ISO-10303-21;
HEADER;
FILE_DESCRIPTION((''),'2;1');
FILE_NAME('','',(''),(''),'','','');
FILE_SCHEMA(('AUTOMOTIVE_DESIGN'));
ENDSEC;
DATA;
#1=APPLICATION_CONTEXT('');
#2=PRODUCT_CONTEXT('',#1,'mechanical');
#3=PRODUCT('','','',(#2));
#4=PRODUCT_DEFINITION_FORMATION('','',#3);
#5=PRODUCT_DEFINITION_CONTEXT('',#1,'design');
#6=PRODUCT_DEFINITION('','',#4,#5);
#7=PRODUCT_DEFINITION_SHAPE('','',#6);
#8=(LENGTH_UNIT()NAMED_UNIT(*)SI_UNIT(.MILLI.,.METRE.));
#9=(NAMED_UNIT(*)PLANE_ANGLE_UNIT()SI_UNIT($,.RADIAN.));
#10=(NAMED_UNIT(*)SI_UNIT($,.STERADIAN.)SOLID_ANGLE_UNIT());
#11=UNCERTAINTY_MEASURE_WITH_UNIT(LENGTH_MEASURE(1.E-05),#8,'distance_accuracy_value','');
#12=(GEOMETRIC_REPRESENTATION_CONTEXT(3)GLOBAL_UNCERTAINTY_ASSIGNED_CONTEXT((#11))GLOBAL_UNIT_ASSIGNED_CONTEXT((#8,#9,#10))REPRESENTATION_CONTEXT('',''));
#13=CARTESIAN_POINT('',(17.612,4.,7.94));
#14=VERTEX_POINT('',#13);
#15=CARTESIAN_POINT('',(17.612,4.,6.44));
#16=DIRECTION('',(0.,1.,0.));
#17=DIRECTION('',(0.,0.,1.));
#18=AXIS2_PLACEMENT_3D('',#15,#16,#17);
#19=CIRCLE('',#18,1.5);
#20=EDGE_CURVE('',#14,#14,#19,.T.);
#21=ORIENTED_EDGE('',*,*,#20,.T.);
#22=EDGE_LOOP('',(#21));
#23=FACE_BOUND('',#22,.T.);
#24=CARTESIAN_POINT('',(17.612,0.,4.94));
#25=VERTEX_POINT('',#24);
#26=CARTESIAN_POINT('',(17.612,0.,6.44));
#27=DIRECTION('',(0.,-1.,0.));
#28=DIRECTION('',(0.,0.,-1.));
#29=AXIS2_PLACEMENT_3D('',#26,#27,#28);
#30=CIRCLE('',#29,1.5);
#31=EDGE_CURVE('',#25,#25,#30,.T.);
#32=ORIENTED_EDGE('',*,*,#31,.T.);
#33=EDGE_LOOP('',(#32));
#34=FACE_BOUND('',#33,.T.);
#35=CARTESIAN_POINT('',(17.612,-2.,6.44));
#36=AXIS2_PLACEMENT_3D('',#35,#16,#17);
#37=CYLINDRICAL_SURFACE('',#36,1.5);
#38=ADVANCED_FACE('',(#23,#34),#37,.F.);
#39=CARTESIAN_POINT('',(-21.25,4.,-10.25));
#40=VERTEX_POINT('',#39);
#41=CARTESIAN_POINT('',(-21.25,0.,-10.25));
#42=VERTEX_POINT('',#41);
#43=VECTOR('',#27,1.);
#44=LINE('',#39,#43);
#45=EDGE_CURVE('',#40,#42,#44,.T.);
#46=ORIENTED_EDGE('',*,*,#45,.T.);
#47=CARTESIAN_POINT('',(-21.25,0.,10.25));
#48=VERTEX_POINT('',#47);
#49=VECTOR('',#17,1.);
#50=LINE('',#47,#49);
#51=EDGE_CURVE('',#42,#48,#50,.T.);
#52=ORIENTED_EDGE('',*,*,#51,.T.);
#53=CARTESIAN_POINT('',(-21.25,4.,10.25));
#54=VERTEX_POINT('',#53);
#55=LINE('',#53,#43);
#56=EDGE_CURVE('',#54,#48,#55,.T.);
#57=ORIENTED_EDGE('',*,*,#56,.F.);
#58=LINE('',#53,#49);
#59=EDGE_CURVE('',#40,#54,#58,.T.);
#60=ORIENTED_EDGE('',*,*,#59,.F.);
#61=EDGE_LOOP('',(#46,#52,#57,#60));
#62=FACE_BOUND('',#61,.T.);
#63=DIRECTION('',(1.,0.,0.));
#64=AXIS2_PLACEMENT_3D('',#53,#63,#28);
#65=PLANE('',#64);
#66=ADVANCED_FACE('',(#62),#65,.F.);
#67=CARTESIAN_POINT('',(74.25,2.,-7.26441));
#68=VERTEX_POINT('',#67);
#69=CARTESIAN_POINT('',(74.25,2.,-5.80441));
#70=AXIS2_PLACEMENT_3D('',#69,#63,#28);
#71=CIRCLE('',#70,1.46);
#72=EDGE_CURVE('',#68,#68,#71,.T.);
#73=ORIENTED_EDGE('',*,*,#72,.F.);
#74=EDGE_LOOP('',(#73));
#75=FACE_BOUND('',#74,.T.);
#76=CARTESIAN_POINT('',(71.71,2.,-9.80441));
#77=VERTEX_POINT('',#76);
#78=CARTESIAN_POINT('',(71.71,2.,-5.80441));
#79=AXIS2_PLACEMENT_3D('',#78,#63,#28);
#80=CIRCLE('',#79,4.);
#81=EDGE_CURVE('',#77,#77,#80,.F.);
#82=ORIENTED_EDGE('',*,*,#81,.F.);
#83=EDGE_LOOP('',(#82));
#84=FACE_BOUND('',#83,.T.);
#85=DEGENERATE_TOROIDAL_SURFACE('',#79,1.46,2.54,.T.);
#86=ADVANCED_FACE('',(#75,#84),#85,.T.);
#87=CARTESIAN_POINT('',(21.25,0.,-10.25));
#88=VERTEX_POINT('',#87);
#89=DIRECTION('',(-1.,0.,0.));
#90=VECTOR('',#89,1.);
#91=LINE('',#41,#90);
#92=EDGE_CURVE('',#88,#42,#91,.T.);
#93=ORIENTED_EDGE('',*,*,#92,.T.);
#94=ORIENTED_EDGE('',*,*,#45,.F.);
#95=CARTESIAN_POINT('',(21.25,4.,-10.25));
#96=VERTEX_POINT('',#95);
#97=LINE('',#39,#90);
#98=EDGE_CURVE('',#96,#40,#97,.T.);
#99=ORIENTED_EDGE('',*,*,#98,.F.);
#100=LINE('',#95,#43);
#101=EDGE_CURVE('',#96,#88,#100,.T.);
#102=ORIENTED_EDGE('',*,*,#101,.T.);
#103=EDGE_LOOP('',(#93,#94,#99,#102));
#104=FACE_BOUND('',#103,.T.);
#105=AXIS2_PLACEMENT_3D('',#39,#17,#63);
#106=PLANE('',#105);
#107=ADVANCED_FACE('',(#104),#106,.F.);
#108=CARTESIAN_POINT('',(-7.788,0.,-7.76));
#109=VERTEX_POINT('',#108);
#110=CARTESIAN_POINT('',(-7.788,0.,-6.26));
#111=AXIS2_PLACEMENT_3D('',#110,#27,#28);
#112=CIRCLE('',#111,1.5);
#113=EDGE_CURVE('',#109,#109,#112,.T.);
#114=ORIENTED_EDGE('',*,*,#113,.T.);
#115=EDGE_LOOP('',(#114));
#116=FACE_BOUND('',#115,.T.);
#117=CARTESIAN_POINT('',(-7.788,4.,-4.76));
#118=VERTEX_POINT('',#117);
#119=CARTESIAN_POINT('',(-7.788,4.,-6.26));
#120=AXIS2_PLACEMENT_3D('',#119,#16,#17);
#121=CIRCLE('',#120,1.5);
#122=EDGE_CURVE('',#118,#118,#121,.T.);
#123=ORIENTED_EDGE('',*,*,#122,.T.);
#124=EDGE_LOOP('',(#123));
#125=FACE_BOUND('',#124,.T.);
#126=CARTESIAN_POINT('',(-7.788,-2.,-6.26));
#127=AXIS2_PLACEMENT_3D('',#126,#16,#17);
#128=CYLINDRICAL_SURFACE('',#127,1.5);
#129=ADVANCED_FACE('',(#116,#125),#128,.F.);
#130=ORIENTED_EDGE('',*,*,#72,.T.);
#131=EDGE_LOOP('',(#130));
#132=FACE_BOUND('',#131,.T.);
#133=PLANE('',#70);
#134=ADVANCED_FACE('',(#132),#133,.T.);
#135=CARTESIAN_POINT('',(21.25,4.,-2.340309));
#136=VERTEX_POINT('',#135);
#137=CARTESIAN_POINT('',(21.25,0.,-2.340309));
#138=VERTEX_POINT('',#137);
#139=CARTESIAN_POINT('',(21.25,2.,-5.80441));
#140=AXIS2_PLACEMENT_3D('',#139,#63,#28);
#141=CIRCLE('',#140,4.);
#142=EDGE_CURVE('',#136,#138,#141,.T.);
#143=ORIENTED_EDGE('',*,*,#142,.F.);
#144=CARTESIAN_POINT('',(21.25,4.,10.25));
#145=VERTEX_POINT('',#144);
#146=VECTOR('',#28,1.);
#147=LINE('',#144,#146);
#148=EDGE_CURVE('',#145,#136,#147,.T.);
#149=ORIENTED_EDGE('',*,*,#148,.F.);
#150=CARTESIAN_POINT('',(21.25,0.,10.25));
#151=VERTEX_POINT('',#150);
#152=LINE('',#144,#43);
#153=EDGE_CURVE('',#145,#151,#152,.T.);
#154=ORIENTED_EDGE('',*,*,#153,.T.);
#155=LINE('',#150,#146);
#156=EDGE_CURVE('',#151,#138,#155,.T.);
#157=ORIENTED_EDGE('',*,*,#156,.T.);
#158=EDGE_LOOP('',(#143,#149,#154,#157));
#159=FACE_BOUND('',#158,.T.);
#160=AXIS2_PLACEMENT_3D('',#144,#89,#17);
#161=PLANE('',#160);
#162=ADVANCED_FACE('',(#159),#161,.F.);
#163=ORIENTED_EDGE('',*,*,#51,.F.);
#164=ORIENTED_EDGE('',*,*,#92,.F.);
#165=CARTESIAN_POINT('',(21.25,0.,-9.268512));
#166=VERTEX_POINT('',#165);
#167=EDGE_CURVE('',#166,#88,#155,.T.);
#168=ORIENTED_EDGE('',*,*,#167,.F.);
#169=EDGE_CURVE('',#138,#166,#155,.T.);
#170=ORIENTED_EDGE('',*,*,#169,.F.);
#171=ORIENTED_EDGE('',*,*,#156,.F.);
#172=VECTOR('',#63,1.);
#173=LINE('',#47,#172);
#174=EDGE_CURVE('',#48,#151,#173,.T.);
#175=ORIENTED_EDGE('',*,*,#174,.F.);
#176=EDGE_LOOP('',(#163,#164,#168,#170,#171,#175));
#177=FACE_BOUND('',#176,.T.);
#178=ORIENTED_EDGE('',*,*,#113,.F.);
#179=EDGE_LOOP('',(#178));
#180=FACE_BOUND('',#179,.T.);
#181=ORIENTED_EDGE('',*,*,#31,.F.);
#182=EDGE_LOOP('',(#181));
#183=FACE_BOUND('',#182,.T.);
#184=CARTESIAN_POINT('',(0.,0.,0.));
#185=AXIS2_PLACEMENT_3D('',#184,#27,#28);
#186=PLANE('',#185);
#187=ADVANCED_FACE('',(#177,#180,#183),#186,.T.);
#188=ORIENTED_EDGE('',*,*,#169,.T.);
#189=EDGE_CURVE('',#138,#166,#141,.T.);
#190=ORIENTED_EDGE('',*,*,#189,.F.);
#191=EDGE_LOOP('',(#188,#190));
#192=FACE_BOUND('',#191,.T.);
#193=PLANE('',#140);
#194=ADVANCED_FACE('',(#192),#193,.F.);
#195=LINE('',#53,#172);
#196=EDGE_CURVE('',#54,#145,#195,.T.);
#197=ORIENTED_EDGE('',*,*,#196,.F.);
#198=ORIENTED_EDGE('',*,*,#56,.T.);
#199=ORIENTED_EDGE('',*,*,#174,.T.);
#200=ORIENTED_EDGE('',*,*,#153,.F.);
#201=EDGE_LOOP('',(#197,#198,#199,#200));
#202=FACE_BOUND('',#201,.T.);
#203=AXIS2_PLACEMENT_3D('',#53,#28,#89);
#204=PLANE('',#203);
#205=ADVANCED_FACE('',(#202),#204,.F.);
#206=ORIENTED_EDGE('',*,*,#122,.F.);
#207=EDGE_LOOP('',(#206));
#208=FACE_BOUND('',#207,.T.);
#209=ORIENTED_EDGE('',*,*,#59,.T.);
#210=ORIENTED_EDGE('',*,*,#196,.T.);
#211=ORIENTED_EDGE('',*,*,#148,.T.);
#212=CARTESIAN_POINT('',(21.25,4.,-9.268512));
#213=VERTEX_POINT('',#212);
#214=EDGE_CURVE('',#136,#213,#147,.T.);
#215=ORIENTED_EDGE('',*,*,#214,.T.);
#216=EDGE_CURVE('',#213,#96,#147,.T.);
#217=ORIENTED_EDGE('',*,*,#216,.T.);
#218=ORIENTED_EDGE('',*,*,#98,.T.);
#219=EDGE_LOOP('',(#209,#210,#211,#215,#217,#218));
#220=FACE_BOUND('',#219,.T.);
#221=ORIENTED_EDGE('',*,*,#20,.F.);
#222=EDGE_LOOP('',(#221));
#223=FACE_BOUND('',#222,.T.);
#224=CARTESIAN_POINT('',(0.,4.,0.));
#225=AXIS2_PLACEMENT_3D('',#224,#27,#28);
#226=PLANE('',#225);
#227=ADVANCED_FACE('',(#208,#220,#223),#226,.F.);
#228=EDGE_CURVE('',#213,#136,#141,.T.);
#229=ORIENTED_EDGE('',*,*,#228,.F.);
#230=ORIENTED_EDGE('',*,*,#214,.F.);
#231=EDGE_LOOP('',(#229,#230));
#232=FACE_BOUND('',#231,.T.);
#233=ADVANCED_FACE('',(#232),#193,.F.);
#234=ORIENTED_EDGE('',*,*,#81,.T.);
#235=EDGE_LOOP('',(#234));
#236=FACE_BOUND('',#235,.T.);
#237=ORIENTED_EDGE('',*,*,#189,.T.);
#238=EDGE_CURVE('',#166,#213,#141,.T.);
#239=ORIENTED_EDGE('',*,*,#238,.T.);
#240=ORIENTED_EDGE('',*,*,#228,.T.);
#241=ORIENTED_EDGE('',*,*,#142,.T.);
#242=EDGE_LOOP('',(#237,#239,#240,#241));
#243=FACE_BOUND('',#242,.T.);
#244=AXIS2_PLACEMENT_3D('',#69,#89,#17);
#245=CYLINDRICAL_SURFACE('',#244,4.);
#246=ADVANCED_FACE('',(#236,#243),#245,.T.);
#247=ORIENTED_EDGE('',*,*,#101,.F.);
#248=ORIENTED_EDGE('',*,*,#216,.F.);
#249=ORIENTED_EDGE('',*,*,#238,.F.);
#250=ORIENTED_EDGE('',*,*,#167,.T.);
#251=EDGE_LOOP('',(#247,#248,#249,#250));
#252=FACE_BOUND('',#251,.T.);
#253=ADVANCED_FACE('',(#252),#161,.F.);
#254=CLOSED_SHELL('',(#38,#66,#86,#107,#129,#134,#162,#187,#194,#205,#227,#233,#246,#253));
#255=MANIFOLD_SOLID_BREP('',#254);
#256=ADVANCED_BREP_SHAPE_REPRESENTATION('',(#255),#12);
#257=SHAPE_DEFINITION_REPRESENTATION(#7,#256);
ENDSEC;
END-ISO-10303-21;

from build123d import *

# Parameters (mm, degrees)
SKETCH1_W           = 42.5
SKETCH1_H           = 20.5
BOSS_EXTRUDE1_DEPTH = 4
SKETCH2_R           = 4
BOSS_EXTRUDE2_DEPTH = 53
FILLET1_R           = 2.54
SKETCH4_R           = 1.5
CUT_EXTRUDE2_DEPTH  = 7.0000001


with BuildPart() as part:
    # Sketch1 → Boss-Extrude1 (new body)
    with BuildSketch(Plane(origin=(0, 0, 0), x_dir=(1, 0, 0), z_dir=(0, 1, 0))):
        Rectangle(SKETCH1_W, SKETCH1_H)
    extrude(amount=BOSS_EXTRUDE1_DEPTH)

    # Sketch2 → Boss-Extrude2 (add)
    with BuildSketch(Plane(origin=(21.25, 0, 0), x_dir=(0, 0, -1), z_dir=(1, 0, 0))):
        with Locations((5.804410425, 2)):
            Circle(SKETCH2_R)
    extrude(amount=BOSS_EXTRUDE2_DEPTH)

    # Fillet1
    fillet1_edges = [part.edges().sort_by_distance(p)[0] for p in [
        (74.25, 2, -1.804410425),
    ]]
    fillet(fillet1_edges, radius=FILLET1_R)

    # Sketch4 → Cut-Extrude2 (cut, through all)
    with BuildSketch(Plane(origin=(0, 4, 0), x_dir=(1, 0, 0), z_dir=(0, 1, 0))):
        with Locations((17.612, -6.44)):
            Circle(SKETCH4_R)
        with Locations((-7.788, 6.26)):
            Circle(SKETCH4_R)
    extrude(amount=-CUT_EXTRUDE2_DEPTH, mode=Mode.SUBTRACT)


solid = part.part
